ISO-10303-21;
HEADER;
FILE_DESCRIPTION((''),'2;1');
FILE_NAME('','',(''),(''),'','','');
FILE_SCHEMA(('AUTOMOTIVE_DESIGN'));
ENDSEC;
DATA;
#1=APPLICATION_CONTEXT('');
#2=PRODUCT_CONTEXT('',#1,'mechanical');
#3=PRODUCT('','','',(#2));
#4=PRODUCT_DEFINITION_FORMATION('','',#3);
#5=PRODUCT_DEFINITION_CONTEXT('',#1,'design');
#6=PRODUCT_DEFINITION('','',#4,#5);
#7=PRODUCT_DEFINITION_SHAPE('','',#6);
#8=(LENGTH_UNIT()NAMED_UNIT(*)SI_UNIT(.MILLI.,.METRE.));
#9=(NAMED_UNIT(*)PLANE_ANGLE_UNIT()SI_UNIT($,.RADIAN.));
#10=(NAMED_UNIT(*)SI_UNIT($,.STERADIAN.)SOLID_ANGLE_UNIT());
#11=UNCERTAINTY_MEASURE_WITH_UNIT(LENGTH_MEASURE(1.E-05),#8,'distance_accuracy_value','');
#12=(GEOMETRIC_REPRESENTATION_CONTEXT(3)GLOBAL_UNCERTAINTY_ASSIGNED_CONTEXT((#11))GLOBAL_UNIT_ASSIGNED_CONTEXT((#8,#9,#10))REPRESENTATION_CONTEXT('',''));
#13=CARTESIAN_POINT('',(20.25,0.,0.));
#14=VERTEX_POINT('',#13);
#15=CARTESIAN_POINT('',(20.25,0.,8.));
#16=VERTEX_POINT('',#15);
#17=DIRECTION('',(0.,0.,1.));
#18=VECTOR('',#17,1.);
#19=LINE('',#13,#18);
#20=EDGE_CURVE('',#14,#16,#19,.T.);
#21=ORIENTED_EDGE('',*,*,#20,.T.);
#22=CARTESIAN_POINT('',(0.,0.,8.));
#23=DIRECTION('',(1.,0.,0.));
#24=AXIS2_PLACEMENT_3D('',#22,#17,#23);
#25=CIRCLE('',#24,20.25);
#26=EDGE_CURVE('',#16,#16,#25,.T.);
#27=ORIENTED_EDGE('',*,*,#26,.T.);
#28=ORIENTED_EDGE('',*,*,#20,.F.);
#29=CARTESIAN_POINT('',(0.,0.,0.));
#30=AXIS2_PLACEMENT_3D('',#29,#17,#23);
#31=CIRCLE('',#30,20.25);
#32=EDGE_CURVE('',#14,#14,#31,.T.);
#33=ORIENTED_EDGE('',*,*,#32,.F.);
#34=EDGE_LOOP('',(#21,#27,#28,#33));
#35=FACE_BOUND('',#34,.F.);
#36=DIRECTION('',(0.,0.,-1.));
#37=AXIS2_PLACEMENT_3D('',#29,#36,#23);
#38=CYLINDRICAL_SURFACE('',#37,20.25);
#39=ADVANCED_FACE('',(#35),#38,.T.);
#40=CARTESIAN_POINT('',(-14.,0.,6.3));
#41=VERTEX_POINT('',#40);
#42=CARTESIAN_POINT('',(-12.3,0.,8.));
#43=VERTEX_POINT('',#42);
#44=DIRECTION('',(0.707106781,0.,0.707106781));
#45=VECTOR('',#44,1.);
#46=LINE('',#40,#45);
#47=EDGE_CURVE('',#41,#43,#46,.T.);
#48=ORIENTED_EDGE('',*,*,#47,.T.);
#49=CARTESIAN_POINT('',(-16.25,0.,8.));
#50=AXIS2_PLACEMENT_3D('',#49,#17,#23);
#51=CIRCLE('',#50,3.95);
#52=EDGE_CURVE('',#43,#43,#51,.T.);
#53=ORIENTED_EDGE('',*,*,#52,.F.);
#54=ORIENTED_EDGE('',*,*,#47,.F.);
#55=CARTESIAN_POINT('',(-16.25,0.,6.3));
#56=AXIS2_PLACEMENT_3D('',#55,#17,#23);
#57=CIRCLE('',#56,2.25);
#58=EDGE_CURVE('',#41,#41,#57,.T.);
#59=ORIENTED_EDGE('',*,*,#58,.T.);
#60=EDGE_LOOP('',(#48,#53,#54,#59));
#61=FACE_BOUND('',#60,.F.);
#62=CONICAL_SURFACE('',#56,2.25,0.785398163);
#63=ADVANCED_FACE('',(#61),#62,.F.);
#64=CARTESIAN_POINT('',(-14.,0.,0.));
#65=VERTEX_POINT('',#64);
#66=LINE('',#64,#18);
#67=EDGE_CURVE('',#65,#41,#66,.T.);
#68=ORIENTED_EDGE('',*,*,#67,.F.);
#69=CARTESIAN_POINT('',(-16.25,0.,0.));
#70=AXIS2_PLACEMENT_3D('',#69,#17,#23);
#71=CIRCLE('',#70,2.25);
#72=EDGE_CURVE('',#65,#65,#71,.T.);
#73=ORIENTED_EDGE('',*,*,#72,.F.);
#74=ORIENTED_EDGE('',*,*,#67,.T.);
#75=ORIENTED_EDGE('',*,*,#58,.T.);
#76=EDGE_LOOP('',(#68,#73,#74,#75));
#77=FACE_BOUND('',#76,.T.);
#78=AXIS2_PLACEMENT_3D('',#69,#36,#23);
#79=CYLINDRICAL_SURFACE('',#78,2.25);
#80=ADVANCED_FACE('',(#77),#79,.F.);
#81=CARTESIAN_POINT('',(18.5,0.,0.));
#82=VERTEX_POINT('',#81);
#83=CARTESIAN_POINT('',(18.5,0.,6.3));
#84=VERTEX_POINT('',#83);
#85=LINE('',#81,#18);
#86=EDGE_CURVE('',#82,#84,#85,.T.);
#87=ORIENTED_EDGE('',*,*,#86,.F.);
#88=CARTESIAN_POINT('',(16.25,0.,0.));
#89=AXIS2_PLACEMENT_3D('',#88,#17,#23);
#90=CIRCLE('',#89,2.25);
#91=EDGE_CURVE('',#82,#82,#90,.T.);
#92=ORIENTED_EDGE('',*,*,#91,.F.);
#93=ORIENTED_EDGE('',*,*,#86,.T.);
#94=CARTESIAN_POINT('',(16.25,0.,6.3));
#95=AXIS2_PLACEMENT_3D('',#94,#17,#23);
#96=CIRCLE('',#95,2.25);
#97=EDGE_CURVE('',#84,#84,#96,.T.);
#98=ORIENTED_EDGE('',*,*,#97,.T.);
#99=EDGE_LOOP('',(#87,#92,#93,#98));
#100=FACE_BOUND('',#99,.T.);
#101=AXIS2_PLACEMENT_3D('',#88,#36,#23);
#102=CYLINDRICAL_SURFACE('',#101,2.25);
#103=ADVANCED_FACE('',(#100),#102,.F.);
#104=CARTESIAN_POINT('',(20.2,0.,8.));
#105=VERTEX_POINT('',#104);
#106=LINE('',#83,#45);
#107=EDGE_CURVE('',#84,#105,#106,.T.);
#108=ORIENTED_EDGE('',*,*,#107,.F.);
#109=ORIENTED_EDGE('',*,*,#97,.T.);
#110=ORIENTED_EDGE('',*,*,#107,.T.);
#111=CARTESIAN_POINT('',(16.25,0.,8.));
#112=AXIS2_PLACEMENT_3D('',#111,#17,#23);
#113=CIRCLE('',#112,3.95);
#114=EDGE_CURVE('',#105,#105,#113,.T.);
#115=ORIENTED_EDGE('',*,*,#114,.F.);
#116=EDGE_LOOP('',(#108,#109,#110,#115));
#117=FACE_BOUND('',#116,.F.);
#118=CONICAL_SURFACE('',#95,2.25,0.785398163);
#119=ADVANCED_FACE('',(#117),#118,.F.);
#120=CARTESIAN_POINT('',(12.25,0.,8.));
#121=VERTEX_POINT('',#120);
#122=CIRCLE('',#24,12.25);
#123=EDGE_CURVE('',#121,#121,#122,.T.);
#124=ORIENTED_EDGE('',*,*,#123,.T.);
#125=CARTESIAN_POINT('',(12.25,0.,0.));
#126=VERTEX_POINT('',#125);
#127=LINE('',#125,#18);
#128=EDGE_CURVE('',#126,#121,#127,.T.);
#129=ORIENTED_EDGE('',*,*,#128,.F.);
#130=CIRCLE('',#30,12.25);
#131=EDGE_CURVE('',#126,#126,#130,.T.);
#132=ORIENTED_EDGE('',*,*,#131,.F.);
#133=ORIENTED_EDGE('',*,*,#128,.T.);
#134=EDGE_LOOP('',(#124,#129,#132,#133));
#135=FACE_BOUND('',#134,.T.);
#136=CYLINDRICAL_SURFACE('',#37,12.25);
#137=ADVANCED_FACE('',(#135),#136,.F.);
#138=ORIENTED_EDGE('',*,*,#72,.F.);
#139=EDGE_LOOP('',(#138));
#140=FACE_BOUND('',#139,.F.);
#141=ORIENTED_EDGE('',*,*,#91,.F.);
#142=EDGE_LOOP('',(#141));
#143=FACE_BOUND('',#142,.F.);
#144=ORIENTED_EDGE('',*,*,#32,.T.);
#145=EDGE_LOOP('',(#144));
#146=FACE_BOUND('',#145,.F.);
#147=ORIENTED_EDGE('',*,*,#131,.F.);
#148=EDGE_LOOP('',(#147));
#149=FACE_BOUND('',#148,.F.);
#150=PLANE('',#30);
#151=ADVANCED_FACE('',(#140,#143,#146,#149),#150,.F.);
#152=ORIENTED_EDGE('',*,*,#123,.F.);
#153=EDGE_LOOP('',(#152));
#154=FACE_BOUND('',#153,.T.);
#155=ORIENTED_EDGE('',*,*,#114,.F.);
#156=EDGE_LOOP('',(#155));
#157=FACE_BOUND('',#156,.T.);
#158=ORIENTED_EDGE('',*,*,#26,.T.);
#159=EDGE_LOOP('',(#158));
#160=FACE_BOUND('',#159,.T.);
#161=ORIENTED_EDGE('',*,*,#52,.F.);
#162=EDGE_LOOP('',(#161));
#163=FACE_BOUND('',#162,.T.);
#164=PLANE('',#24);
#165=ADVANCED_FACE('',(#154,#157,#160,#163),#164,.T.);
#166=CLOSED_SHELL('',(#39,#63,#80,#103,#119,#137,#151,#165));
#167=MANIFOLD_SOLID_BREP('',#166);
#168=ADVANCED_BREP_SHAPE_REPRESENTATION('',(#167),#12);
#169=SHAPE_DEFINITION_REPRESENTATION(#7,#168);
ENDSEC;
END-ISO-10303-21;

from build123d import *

# Parameters (mm, degrees)
SKETCH_R     = 20.25
SKETCH_R_2   = 12.25
SKETCH_R_3   = 2.25
PAD_DEPTH    = 8
CHAMFER_SIZE = 1.7


with BuildPart() as part:
    # Sketch → Pad (new body)
    with BuildSketch(Plane.XY):
        Circle(SKETCH_R)
        Circle(SKETCH_R_2, mode=Mode.SUBTRACT)
        with Locations((16.25, 0)):
            Circle(SKETCH_R_3, mode=Mode.SUBTRACT)
        with Locations((-16.25, 0)):
            Circle(SKETCH_R_3, mode=Mode.SUBTRACT)
    extrude(amount=PAD_DEPTH)

    # Chamfer
    chamfer_edges = [part.edges().sort_by_distance(p)[0] for p in [
        (14, 0, 8),
        (-18.5, 0, 8),
    ]]
    chamfer(chamfer_edges, length=CHAMFER_SIZE)


solid = part.part
